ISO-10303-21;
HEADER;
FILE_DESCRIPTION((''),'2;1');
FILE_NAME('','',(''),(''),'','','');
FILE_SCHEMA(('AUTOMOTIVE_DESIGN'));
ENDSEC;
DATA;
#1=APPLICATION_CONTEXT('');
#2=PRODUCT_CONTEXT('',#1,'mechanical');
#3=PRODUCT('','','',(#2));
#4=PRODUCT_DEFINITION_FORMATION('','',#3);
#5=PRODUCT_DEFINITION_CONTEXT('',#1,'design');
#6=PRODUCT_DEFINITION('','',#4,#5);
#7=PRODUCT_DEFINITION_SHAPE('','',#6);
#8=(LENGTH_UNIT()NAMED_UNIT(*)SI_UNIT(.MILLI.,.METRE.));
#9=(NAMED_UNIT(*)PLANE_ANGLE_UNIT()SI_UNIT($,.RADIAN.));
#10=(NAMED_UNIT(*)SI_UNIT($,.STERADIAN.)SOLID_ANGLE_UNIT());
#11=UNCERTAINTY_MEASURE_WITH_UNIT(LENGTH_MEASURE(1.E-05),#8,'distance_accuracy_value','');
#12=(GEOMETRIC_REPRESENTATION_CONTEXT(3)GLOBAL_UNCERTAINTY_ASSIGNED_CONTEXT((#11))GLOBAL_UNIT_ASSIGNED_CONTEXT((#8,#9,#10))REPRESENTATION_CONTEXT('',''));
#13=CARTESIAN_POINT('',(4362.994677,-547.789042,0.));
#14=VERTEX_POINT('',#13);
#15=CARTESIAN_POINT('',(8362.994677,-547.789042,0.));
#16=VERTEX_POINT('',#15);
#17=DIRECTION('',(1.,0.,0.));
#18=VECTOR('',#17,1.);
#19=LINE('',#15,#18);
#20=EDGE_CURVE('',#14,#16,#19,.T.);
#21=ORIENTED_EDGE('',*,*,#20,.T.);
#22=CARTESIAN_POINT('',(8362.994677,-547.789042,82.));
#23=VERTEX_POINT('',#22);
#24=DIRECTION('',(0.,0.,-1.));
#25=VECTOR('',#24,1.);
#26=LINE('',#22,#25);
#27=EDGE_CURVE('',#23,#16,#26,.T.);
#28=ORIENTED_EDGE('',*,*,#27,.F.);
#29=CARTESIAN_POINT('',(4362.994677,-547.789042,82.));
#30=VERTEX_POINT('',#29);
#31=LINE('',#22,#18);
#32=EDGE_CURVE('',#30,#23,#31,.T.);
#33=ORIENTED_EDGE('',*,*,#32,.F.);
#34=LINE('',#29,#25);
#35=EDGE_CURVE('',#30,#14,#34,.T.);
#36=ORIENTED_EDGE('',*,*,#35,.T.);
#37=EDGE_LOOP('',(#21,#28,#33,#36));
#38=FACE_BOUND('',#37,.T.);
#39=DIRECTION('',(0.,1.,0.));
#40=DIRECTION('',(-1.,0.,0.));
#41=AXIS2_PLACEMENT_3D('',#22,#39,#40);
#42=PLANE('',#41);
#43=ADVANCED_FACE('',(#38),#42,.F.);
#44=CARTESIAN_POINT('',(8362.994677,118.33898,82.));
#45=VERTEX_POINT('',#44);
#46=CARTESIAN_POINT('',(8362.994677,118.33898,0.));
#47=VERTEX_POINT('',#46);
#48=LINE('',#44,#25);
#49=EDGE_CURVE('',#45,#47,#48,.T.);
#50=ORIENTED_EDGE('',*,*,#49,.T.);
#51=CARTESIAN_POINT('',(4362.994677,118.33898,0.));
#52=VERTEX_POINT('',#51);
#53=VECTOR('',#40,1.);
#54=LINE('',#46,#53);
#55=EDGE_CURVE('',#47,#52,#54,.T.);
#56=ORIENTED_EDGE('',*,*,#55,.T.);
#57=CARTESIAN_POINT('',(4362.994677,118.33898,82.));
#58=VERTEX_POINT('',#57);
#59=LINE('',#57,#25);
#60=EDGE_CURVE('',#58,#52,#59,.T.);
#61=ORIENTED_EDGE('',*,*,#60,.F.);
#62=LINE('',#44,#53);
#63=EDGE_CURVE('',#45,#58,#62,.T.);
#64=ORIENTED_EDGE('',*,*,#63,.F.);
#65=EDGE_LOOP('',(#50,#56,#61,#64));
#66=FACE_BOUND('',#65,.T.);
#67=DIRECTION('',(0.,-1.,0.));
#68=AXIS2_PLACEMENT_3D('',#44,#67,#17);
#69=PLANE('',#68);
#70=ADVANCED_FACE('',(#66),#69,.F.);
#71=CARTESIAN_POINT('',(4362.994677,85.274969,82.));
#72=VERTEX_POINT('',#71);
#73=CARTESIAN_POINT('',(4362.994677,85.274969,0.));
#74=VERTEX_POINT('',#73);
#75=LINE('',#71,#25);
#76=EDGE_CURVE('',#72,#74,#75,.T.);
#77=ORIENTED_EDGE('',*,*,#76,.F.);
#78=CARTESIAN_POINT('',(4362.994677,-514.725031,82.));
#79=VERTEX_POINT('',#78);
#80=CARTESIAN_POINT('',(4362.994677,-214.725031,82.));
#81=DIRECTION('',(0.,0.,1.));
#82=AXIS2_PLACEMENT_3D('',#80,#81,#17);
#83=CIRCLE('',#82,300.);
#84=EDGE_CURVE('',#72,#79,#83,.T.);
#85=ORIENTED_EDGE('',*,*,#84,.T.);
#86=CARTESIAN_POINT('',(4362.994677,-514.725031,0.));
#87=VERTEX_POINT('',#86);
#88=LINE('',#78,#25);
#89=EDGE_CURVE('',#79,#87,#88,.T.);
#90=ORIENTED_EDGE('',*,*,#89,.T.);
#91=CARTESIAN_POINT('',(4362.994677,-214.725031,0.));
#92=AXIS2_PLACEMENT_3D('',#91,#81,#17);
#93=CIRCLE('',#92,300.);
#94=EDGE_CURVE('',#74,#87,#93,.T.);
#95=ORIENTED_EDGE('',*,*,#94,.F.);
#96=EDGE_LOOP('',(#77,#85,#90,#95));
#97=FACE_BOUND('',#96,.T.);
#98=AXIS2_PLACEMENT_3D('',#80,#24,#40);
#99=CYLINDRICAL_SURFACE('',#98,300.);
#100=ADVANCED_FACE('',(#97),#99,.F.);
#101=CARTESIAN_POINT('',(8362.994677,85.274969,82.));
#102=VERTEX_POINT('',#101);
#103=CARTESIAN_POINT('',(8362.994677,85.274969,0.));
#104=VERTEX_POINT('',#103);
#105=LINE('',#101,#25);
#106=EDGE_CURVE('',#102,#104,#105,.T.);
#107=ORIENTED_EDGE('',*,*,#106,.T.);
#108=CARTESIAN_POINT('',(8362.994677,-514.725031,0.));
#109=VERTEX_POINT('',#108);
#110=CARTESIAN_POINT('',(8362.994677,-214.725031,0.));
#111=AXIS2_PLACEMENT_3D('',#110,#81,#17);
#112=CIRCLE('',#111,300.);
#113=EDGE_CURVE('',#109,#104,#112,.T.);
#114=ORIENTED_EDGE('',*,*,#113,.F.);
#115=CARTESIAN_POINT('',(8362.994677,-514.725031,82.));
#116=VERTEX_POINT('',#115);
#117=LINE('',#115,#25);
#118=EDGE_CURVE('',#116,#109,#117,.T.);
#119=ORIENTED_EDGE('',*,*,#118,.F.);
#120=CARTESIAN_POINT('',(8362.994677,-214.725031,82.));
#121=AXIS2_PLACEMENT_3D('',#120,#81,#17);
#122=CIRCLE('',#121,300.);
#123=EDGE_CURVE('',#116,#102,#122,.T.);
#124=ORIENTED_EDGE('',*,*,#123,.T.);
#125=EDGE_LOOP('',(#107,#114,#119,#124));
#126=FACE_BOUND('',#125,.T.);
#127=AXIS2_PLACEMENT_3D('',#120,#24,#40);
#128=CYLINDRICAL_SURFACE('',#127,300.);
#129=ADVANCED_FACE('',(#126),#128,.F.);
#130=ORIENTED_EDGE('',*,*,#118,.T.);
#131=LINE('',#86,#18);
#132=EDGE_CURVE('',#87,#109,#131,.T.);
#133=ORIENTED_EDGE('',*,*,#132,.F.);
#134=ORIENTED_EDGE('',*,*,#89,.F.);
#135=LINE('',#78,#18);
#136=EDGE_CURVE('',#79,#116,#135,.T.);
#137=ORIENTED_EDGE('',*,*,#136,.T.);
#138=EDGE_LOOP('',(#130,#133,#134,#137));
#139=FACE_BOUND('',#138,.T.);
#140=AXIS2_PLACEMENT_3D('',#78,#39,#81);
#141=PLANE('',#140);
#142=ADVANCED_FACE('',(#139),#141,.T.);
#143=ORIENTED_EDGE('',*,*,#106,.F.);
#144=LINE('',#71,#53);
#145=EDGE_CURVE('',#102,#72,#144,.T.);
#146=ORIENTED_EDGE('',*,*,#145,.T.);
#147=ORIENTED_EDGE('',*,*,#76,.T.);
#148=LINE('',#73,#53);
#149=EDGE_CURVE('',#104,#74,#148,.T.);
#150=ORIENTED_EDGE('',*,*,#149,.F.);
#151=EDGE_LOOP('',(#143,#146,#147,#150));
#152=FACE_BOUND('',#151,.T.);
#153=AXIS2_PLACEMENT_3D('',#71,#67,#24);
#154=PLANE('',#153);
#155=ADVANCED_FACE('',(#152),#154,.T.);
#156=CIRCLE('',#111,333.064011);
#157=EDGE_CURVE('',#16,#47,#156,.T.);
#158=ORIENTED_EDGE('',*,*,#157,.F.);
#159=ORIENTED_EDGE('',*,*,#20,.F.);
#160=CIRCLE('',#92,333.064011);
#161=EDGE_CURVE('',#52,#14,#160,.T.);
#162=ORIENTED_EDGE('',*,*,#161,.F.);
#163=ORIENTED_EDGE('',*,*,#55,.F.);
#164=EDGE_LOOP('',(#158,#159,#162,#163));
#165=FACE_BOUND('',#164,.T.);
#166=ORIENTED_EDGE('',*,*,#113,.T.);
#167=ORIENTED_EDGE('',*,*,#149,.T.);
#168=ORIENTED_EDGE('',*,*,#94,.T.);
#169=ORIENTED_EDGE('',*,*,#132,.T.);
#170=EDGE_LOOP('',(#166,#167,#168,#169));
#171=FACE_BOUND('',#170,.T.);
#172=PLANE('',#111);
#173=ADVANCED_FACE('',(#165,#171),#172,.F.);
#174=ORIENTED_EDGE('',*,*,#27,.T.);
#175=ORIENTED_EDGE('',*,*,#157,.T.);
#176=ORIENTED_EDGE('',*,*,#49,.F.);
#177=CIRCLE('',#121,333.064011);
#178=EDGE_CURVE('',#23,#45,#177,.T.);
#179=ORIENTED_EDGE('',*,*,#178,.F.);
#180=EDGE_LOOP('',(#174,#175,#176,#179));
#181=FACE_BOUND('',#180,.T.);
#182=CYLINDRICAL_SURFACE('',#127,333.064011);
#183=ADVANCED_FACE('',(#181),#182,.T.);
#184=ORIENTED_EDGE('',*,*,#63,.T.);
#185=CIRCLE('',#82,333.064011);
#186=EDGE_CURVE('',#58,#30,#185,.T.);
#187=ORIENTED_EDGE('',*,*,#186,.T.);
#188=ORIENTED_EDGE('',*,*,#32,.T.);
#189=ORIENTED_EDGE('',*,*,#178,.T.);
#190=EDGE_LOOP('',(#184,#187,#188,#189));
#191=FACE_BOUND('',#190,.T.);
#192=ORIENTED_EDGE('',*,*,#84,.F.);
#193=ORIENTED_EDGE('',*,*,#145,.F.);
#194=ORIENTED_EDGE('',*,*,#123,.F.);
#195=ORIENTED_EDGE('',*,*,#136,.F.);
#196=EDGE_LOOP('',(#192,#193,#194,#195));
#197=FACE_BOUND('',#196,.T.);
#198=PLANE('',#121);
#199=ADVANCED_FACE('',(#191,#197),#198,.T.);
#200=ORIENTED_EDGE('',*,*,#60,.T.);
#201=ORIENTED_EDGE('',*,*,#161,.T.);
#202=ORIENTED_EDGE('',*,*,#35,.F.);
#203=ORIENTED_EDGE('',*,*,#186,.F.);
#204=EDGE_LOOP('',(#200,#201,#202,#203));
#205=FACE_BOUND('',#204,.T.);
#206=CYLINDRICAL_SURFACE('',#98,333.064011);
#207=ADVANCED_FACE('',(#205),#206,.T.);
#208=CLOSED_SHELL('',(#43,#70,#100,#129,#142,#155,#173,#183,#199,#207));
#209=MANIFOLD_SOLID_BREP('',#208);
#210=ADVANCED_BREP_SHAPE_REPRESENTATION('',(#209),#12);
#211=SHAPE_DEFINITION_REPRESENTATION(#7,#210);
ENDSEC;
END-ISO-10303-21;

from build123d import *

# Parameters (mm, degrees)
SALIENTE_EXTRUIR3_DEPTH = 82


with BuildPart() as part:
    # Croquis1 → Saliente-Extruir3 (new body)
    with BuildSketch(Plane.XY):
        with BuildLine():
            Line((8362.994676577, 118.338980378), (4362.994676577, 118.338980378))
            ThreePointArc((4362.994676577, 118.338980378), (4029.930665551, -214.725030648), (4362.994676577, -547.789041674))
            Line((4362.994676577, -547.789041674), (8362.994676577, -547.789041674))
            ThreePointArc((8362.994676577, -547.789041674), (8696.058687603, -214.725030648), (8362.994676577, 118.338980378))
        make_face()
        with BuildLine():
            Line((4362.994676577, 85.274969352), (8362.994676577, 85.274969352))
            ThreePointArc((8362.994676577, 85.274969352), (8662.994676577, -214.725030648), (8362.994676577, -514.725030648))
            Line((8362.994676577, -514.725030648), (4362.994676577, -514.725030648))
            ThreePointArc((4362.994676577, -514.725030648), (4062.994676577, -214.725030648), (4362.994676577, 85.274969352))
        make_face(mode=Mode.SUBTRACT)
    extrude(amount=SALIENTE_EXTRUIR3_DEPTH)


solid = part.part
